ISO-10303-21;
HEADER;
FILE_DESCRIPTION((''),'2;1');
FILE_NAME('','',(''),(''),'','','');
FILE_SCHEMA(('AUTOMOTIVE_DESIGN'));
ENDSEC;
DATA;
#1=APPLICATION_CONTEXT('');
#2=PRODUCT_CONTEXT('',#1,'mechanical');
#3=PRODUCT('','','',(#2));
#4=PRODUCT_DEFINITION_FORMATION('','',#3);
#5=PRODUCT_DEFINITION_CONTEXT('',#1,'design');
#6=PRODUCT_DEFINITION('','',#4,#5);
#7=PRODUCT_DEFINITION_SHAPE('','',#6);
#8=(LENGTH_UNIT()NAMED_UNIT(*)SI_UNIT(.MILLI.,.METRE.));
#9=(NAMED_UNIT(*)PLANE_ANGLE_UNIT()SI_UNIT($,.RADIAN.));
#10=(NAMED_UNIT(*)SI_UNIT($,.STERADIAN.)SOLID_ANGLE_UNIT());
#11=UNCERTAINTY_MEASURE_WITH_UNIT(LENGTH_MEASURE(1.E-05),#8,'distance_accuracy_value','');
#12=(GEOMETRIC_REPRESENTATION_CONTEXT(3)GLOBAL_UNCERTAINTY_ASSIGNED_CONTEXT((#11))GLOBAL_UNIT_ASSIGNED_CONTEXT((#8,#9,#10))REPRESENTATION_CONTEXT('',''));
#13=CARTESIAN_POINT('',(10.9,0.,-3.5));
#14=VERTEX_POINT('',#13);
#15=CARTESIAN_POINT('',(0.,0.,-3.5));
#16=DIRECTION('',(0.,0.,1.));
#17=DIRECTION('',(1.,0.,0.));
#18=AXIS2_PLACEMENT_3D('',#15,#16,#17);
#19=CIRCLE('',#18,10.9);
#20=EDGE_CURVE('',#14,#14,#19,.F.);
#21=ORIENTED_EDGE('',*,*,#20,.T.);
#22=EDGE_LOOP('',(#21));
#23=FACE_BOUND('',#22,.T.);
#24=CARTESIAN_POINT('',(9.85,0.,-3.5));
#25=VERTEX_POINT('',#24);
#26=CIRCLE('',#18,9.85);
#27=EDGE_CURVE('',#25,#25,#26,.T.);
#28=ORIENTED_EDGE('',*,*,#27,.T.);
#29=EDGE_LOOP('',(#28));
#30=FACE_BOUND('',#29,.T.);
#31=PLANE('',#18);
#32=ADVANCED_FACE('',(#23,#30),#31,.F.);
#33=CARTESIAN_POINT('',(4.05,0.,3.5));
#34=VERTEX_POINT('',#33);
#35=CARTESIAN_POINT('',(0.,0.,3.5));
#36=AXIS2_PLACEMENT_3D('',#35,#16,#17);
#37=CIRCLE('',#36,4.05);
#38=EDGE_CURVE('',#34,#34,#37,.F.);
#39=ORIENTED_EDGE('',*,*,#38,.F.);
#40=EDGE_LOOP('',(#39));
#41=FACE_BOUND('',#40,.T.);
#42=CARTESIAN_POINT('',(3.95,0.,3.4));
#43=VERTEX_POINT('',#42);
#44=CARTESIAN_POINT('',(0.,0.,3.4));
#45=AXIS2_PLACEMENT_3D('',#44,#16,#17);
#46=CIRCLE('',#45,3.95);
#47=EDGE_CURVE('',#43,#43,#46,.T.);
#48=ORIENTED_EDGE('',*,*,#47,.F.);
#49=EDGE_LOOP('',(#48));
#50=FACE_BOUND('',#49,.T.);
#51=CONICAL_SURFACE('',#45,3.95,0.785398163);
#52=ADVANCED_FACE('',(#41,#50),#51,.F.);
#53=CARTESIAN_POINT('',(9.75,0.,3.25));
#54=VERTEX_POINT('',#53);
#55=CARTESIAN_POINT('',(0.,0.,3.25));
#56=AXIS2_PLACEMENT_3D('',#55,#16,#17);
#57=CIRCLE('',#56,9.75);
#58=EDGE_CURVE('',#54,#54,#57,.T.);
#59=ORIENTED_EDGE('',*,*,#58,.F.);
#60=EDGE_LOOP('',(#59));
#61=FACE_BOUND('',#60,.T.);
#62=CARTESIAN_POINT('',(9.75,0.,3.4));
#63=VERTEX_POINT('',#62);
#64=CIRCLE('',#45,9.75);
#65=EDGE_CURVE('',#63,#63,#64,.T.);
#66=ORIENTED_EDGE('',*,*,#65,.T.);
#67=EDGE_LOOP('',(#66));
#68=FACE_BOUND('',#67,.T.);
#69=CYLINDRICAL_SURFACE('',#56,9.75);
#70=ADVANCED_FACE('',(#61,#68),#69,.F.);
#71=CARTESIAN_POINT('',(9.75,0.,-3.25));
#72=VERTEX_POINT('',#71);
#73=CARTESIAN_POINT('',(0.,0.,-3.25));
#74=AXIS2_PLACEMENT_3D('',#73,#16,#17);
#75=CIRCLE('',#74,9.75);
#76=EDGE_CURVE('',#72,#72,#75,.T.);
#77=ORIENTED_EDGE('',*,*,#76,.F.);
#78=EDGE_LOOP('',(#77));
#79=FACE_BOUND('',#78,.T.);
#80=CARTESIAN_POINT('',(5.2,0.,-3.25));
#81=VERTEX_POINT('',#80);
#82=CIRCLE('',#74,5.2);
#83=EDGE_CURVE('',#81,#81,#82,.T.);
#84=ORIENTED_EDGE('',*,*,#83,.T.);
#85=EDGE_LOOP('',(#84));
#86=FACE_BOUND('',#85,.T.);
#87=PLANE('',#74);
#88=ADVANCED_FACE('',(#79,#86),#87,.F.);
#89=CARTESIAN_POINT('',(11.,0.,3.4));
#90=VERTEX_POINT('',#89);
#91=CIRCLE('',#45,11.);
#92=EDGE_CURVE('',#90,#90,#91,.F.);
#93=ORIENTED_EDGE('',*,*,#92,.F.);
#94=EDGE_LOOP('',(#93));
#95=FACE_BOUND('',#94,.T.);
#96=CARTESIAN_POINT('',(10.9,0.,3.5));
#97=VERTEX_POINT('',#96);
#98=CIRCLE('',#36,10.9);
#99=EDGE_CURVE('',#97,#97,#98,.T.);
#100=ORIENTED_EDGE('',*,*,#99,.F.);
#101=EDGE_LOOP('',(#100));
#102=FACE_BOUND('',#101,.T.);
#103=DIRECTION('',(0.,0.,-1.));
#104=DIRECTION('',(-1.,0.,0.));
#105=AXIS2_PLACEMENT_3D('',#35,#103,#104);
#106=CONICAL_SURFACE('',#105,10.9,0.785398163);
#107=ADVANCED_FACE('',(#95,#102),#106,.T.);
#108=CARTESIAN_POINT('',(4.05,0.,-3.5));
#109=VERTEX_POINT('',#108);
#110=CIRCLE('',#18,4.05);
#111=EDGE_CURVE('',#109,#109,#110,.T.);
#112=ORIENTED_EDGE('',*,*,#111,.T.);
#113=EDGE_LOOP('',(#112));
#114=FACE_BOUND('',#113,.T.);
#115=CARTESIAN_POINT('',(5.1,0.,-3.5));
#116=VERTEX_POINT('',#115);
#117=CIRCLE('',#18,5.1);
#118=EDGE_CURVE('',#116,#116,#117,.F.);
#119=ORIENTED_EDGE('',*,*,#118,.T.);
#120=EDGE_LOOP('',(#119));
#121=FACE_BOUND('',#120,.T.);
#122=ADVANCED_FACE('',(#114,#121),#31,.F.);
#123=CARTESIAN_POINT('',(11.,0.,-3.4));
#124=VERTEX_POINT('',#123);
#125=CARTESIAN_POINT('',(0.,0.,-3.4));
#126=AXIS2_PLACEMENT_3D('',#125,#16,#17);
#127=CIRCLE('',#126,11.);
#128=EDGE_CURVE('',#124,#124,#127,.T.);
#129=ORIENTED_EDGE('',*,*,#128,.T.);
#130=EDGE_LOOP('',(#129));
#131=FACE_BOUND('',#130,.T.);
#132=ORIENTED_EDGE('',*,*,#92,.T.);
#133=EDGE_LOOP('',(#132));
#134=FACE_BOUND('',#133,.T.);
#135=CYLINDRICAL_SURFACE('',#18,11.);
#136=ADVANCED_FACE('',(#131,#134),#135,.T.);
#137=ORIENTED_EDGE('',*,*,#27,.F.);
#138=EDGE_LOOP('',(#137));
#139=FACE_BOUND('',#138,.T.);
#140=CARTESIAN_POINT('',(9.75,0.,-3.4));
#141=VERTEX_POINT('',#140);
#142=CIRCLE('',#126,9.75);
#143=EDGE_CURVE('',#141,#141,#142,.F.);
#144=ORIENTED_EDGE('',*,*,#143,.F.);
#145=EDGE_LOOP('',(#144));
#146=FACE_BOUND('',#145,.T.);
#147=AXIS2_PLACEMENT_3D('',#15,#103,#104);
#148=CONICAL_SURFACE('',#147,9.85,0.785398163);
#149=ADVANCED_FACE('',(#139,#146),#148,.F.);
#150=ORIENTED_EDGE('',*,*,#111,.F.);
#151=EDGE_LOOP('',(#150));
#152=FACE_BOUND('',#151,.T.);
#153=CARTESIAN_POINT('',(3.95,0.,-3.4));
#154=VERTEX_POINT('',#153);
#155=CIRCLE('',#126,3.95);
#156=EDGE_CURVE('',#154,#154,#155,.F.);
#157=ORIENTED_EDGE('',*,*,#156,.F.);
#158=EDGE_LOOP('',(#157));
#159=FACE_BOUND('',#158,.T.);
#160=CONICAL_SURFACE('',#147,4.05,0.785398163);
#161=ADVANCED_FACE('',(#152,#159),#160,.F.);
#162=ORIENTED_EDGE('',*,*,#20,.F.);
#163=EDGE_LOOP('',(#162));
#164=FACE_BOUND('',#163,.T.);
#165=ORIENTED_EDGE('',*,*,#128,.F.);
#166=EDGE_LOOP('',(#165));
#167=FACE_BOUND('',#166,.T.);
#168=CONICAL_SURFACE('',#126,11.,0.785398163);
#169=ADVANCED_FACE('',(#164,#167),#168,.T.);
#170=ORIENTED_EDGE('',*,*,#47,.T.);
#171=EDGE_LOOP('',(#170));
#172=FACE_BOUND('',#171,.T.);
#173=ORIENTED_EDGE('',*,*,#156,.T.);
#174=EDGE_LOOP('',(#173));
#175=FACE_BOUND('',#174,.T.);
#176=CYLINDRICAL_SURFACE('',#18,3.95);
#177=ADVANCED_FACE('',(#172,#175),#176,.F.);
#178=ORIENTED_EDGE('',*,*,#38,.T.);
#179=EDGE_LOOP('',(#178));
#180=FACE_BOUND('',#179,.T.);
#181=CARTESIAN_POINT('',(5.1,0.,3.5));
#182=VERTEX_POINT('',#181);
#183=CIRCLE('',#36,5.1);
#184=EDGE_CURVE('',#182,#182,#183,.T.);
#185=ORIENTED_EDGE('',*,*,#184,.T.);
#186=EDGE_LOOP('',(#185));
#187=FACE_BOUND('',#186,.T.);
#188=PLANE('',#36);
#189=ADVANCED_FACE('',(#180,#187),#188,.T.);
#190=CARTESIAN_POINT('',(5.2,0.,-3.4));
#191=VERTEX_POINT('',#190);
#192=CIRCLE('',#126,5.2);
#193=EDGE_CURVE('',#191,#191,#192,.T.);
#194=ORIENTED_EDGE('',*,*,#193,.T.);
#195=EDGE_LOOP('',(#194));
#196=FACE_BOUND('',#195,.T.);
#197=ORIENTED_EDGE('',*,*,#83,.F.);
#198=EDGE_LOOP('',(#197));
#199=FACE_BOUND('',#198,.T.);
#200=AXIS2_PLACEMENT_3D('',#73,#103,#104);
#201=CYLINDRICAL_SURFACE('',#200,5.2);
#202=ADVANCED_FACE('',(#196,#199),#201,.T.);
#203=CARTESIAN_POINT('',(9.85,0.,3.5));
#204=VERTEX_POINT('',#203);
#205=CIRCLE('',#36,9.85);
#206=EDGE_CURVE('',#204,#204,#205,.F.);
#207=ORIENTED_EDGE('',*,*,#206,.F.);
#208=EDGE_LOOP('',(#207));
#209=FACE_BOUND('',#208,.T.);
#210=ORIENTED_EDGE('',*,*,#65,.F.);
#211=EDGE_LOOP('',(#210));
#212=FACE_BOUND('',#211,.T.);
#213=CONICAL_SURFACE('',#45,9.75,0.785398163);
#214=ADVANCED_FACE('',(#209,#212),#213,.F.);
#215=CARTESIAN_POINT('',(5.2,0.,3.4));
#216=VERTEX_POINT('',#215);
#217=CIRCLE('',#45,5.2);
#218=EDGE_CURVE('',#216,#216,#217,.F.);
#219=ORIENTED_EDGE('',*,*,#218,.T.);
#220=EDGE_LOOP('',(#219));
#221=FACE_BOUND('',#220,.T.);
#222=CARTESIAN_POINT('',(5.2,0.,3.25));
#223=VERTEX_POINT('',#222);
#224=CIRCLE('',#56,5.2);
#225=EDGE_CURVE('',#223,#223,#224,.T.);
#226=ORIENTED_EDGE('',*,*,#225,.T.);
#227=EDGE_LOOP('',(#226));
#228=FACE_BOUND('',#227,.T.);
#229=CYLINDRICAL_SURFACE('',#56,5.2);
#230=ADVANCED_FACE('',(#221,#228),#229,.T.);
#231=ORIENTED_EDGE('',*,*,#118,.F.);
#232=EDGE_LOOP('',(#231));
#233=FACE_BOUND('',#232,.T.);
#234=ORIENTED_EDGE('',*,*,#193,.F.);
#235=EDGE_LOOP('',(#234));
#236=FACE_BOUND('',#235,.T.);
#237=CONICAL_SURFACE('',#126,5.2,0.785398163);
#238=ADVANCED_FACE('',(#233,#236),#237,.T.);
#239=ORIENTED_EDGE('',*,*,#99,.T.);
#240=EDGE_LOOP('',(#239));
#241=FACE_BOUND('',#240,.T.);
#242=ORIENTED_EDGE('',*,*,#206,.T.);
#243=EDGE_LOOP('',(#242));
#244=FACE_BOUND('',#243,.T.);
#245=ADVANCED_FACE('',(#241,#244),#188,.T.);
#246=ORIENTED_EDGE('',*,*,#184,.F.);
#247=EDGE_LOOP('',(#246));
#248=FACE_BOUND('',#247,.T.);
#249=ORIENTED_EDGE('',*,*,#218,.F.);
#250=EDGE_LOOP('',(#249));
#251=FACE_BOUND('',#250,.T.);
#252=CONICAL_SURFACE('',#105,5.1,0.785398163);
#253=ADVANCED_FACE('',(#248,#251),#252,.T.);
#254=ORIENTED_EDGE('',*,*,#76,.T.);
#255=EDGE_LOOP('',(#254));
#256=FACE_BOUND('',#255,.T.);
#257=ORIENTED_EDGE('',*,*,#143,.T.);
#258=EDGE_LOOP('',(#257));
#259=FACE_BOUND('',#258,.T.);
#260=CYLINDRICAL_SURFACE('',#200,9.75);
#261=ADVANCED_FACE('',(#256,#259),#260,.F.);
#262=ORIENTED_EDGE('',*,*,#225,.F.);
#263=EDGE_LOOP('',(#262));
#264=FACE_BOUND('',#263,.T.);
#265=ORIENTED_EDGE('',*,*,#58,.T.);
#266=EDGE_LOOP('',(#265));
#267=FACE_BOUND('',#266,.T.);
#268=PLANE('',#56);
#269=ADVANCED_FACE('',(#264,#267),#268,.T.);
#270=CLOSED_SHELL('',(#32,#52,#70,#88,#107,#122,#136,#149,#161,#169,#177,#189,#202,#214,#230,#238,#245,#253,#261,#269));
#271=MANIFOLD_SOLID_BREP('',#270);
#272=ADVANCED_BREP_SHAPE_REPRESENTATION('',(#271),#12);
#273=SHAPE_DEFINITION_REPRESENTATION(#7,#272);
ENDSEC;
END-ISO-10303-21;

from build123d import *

# Parameters (mm, degrees)
SKETCH1_R                = 11
SKETCH1_R_2              = 3.95
BOSS_EXTRUDE1_DEPTH      = 3.5
BOSS_EXTRUDE1_DEPTH_BACK = 3.5
CUT_EXTRUDE1_START       = -3.5
SKETCH2_R                = 9.75
SKETCH2_R_2              = 5.2
CUT_EXTRUDE1_DEPTH       = 0.25
CUT_EXTRUDE2_START       = 3.5
SKETCH2_2_R              = 9.75
SKETCH2_2_R_2            = 5.2
CUT_EXTRUDE2_DEPTH       = 0.25
CHAMFER1_SIZE            = 0.1


with BuildPart() as part:
    # Sketch1 → Boss-Extrude1 (new body, two sides)
    with BuildSketch(Plane.XY) as boss_extrude1_sk:
        Circle(SKETCH1_R)
        Circle(SKETCH1_R_2, mode=Mode.SUBTRACT)
    extrude(amount=BOSS_EXTRUDE1_DEPTH)
    extrude(boss_extrude1_sk.sketch, amount=-BOSS_EXTRUDE1_DEPTH_BACK)

    # Sketch2 → Cut-Extrude1 (cut)
    with BuildSketch(Plane.XY.offset(CUT_EXTRUDE1_START)):
        Circle(SKETCH2_R)
        Circle(SKETCH2_R_2, mode=Mode.SUBTRACT)
    extrude(amount=CUT_EXTRUDE1_DEPTH, mode=Mode.SUBTRACT)

    # Sketch2<2> → Cut-Extrude2 (cut)
    with BuildSketch(Plane.XY.offset(CUT_EXTRUDE2_START)):
        Circle(SKETCH2_2_R)
        Circle(SKETCH2_2_R_2, mode=Mode.SUBTRACT)
    extrude(amount=-CUT_EXTRUDE2_DEPTH, mode=Mode.SUBTRACT)

    # Chamfer1
    chamfer1_edges = [part.edges().sort_by_distance(p)[0] for p in [
        (-5.2, 0, -3.5),
        (-9.75, 0, -3.5),
        (-9.75, 0, 3.5),
        (-5.2, 0, 3.5),
        (-11, 0, -3.5),
        (-3.95, 0, -3.5),
        (-11, 0, 3.5),
        (-3.95, 0, 3.5),
    ]]
    chamfer(chamfer1_edges, length=CHAMFER1_SIZE)


solid = part.part
